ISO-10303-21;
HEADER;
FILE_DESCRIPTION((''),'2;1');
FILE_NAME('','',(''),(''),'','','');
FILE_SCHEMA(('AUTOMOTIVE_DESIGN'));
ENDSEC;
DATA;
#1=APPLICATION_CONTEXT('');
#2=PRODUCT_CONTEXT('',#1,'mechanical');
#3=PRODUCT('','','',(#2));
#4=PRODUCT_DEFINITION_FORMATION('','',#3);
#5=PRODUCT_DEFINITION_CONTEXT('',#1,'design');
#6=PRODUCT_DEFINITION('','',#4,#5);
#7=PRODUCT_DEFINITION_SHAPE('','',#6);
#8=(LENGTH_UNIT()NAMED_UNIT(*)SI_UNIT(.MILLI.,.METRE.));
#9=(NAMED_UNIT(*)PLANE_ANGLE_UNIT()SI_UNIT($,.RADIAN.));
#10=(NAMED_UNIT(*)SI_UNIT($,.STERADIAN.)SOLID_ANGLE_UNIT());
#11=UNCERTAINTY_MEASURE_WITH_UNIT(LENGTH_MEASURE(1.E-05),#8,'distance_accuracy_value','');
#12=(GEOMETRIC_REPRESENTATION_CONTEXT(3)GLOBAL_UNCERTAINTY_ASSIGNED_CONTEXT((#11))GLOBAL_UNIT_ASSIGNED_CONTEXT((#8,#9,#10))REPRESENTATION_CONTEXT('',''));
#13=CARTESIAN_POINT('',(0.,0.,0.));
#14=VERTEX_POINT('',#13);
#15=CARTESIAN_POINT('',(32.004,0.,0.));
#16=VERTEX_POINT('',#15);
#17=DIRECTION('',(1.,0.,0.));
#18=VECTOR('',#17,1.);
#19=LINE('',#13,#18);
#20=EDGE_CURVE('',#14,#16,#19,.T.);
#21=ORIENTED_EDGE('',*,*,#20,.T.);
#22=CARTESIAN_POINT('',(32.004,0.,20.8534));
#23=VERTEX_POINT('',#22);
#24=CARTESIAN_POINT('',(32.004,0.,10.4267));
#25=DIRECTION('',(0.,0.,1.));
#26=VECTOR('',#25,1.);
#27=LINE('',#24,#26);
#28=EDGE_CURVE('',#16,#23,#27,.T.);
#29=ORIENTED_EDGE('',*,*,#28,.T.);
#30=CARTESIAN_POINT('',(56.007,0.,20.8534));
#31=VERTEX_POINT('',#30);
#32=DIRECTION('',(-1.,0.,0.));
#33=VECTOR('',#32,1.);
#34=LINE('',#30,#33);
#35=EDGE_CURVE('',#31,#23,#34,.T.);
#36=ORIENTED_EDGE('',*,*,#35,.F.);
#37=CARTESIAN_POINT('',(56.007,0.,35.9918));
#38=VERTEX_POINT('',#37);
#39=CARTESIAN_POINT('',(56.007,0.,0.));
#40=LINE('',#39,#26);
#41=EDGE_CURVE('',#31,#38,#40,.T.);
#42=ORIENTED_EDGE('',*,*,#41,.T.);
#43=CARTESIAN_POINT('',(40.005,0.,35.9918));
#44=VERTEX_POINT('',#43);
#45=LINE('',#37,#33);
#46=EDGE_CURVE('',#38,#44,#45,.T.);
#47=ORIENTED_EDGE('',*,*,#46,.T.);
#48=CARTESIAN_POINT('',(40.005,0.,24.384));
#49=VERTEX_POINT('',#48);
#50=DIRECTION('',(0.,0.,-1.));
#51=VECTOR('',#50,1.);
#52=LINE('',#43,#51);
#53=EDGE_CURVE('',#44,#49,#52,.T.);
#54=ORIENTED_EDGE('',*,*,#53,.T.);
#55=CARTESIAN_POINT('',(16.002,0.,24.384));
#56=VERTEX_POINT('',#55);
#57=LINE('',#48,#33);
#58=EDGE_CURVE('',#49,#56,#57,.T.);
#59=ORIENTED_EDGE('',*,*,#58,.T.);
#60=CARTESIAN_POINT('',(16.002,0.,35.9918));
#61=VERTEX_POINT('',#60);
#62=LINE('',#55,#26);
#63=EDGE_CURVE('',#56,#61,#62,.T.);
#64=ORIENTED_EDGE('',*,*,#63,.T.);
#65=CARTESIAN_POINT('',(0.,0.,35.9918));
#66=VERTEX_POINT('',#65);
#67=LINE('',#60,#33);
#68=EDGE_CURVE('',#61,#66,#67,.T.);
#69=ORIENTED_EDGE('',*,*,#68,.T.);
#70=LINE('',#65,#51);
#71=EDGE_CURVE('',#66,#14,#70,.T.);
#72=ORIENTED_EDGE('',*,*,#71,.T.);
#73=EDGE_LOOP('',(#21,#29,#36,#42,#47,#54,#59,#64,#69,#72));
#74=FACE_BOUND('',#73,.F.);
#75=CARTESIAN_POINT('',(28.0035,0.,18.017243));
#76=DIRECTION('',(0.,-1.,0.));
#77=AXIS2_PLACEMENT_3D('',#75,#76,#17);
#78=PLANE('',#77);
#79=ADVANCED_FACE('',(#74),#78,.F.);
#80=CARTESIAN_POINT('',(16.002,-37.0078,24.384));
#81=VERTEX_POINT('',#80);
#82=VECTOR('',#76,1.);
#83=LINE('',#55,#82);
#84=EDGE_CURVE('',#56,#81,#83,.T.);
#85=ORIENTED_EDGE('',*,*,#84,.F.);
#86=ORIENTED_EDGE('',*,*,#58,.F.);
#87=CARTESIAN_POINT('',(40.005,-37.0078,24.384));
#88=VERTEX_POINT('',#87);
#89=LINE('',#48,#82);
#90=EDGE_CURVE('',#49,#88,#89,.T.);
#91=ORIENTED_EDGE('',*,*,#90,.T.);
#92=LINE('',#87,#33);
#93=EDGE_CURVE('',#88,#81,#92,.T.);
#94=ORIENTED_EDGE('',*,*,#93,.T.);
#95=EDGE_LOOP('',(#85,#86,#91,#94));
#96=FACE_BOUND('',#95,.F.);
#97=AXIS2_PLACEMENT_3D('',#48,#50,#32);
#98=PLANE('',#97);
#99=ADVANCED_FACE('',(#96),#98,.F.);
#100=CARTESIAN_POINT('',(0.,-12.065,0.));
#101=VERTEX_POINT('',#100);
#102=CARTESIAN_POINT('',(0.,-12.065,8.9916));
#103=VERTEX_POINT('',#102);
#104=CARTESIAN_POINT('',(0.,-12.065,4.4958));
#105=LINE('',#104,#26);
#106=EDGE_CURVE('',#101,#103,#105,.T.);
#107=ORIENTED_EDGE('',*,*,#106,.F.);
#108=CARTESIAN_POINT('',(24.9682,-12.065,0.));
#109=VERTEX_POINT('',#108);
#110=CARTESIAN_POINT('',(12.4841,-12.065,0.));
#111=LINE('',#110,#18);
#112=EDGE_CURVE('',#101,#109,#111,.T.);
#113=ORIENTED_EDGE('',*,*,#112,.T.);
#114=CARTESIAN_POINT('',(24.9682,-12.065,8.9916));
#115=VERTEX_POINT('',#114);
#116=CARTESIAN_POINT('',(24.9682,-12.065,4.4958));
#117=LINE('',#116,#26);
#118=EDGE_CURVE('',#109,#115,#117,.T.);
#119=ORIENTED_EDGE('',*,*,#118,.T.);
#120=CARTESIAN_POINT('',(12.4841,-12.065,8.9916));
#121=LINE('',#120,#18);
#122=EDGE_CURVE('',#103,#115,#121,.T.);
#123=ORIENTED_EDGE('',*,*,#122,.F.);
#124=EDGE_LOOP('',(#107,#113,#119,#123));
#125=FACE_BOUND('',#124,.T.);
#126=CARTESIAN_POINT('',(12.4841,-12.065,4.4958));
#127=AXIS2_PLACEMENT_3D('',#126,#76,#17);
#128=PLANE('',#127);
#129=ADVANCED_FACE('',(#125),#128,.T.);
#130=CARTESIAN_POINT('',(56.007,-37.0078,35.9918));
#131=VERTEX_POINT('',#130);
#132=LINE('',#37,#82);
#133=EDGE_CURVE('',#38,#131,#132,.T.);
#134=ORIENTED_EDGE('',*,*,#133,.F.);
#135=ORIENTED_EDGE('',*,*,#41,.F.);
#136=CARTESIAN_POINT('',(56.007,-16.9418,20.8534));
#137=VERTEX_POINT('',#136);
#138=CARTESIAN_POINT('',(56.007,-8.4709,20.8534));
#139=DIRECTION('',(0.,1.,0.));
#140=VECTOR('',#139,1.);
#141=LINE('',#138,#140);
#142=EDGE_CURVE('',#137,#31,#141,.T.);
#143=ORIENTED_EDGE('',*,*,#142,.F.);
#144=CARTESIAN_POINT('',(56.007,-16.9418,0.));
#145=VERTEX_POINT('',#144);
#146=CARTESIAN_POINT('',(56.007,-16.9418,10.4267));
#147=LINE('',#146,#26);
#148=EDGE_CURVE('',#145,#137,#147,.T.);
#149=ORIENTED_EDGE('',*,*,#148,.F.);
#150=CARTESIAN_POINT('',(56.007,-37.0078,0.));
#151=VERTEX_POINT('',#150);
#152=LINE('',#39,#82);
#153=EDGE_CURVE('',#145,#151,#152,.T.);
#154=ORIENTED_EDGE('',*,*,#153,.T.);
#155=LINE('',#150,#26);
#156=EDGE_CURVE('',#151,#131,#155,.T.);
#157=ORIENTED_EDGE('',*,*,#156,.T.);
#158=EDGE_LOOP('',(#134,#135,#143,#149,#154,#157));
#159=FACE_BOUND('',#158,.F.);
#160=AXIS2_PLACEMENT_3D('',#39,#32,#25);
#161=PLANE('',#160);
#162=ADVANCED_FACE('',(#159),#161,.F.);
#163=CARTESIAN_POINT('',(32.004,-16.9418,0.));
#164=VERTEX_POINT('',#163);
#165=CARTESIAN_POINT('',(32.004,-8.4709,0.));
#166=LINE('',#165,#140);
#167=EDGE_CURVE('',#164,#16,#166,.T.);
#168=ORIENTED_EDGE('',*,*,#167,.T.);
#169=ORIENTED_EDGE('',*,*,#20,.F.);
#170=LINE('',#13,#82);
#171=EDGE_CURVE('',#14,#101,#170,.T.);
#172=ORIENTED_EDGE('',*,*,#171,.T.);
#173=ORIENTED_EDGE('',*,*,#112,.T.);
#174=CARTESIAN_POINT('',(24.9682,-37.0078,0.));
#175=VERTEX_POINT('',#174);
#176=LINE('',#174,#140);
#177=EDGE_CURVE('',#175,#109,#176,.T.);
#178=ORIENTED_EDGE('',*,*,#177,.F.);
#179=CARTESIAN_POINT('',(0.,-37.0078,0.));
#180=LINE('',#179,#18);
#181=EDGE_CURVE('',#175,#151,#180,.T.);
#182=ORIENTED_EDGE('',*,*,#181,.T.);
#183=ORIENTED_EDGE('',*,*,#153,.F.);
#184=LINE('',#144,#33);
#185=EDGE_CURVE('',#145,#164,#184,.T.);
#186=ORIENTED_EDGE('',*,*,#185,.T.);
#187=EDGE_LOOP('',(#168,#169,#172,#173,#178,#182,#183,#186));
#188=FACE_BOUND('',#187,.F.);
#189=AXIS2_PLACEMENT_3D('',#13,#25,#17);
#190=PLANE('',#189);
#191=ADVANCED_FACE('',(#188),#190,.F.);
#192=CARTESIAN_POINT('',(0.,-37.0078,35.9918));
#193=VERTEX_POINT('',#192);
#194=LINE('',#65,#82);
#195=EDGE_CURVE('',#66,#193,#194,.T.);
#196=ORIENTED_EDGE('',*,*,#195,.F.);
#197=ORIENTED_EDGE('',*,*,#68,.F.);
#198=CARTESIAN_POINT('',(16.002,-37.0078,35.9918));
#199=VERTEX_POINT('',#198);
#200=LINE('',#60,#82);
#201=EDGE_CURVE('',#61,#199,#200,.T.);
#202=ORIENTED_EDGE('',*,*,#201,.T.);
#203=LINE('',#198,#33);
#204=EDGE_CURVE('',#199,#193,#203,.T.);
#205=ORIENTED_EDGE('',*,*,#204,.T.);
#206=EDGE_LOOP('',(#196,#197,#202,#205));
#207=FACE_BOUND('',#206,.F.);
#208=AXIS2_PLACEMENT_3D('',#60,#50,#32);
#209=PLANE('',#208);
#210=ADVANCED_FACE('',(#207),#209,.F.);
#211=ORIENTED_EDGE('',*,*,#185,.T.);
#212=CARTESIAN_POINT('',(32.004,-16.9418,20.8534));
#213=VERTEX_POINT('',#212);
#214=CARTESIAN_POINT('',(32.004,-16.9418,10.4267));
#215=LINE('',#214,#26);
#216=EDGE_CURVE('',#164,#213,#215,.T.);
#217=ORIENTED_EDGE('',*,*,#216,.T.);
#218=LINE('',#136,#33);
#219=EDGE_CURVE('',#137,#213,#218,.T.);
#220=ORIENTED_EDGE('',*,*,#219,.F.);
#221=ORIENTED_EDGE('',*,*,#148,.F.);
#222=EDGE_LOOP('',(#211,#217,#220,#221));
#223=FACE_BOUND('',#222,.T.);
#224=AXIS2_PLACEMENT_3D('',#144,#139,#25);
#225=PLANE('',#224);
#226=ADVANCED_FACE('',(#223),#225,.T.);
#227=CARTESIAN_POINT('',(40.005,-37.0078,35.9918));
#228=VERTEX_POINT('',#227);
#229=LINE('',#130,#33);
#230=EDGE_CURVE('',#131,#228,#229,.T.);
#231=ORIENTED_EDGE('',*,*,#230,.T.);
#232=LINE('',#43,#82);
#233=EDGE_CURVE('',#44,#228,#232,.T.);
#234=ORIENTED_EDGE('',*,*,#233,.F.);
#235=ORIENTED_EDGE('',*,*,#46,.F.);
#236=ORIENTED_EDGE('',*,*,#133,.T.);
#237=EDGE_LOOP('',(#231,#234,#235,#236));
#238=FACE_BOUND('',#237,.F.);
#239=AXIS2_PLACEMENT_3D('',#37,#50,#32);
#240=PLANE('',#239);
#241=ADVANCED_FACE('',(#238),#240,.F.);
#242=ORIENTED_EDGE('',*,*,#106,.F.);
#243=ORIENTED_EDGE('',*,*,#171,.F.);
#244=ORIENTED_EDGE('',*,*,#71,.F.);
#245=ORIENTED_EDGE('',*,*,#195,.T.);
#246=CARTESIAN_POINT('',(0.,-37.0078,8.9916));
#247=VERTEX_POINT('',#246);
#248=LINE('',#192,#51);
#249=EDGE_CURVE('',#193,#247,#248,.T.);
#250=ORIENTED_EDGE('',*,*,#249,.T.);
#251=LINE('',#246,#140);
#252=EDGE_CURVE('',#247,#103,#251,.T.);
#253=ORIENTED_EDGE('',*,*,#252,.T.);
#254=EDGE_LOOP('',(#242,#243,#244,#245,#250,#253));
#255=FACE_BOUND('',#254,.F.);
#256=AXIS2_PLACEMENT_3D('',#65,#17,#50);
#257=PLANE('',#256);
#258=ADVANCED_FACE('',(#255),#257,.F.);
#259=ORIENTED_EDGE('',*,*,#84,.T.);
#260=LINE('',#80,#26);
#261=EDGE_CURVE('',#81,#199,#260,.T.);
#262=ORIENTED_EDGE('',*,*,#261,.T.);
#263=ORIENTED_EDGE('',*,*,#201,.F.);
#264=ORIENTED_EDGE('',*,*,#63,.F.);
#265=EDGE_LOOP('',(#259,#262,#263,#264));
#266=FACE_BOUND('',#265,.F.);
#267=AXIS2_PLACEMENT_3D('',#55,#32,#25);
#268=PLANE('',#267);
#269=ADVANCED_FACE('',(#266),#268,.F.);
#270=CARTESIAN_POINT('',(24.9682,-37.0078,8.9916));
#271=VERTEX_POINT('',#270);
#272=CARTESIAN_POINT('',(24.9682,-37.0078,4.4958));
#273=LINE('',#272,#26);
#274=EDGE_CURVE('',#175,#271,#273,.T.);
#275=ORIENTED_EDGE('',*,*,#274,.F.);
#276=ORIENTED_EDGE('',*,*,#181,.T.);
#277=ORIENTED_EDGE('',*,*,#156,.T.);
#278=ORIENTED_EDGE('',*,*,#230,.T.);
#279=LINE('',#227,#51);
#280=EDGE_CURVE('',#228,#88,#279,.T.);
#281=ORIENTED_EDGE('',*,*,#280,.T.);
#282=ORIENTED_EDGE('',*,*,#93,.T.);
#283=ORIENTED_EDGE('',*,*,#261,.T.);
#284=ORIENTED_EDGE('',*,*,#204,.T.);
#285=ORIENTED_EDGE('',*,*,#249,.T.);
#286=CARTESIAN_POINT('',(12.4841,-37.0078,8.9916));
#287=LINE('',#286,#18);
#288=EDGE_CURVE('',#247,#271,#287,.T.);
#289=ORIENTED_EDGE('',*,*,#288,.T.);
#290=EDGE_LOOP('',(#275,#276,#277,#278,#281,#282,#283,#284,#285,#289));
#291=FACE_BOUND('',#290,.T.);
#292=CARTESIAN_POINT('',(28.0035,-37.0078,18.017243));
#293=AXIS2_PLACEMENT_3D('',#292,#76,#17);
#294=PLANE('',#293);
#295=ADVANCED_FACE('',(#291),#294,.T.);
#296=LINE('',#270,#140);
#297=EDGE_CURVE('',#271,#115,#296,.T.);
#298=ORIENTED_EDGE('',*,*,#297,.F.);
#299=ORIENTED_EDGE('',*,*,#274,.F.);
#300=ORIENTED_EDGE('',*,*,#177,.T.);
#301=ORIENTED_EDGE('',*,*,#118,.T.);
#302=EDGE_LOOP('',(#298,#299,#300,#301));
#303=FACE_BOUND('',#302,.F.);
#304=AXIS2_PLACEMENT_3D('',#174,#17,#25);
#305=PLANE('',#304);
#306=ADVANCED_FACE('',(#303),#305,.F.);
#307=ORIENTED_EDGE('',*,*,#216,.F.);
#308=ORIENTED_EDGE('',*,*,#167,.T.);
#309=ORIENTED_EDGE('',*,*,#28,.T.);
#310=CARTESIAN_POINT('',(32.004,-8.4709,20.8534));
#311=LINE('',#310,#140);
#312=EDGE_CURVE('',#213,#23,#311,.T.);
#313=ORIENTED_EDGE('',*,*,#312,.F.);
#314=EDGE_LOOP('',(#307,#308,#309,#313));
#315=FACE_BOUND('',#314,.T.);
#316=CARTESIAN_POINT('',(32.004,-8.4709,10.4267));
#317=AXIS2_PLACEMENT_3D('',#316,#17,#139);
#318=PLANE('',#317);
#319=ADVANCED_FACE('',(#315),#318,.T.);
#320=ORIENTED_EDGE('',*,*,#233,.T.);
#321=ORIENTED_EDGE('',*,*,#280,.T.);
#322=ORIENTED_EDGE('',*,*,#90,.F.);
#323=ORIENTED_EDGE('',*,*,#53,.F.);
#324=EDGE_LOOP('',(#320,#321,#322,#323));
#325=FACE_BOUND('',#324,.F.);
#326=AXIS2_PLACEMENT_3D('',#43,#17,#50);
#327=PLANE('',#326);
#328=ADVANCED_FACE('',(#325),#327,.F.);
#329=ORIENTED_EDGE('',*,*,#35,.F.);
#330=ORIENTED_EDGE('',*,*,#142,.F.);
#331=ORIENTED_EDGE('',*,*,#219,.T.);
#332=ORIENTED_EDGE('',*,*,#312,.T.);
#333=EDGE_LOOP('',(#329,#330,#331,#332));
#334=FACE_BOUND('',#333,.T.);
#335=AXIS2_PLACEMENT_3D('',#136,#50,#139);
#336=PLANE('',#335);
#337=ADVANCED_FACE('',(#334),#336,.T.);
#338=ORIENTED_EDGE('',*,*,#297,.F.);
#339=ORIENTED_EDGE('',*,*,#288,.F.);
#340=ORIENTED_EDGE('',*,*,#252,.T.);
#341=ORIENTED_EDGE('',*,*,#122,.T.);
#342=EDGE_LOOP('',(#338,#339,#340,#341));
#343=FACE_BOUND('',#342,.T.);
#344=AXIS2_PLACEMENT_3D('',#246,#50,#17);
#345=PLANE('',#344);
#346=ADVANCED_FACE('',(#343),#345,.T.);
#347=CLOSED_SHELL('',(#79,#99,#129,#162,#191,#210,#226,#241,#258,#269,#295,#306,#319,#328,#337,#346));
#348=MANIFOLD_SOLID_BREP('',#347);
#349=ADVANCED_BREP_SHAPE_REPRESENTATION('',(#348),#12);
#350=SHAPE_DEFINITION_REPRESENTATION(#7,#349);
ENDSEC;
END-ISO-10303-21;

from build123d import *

# Parameters (mm, degrees)
F1_DEPTH = 37.0078
F2_W     = 24.9682
F2_H     = 8.9916
F3_DEPTH = 24.9428
F4_W     = 16.9418
F4_H     = 20.8534
F5_DEPTH = 24.003


with BuildPart() as f1:
    # F0 (on Front) → F1 (new body)
    with BuildSketch(Plane.XZ):
        Polygon((0, 35.9918), (0, 0), (56.007, 0), (56.007, 35.9918), (40.005, 35.9918), (40.005, 24.384), (16.002, 24.384), (16.002, 35.9918), align=None)
    extrude(amount=F1_DEPTH)

    # F2 (on face) → F3 (cut)
    with BuildSketch(Plane.XZ.offset(37.0078)):
        with Locations((12.4841, 4.4958)):
            Rectangle(F2_W, F2_H)
    extrude(amount=-F3_DEPTH, mode=Mode.SUBTRACT)

    # F4 (on face) → F5 (cut)
    with BuildSketch(Plane.YZ.offset(56.007)):
        with Locations((-8.4709, 10.4267)):
            Rectangle(F4_W, F4_H)
    extrude(amount=-F5_DEPTH, mode=Mode.SUBTRACT)


solid = f1.part
